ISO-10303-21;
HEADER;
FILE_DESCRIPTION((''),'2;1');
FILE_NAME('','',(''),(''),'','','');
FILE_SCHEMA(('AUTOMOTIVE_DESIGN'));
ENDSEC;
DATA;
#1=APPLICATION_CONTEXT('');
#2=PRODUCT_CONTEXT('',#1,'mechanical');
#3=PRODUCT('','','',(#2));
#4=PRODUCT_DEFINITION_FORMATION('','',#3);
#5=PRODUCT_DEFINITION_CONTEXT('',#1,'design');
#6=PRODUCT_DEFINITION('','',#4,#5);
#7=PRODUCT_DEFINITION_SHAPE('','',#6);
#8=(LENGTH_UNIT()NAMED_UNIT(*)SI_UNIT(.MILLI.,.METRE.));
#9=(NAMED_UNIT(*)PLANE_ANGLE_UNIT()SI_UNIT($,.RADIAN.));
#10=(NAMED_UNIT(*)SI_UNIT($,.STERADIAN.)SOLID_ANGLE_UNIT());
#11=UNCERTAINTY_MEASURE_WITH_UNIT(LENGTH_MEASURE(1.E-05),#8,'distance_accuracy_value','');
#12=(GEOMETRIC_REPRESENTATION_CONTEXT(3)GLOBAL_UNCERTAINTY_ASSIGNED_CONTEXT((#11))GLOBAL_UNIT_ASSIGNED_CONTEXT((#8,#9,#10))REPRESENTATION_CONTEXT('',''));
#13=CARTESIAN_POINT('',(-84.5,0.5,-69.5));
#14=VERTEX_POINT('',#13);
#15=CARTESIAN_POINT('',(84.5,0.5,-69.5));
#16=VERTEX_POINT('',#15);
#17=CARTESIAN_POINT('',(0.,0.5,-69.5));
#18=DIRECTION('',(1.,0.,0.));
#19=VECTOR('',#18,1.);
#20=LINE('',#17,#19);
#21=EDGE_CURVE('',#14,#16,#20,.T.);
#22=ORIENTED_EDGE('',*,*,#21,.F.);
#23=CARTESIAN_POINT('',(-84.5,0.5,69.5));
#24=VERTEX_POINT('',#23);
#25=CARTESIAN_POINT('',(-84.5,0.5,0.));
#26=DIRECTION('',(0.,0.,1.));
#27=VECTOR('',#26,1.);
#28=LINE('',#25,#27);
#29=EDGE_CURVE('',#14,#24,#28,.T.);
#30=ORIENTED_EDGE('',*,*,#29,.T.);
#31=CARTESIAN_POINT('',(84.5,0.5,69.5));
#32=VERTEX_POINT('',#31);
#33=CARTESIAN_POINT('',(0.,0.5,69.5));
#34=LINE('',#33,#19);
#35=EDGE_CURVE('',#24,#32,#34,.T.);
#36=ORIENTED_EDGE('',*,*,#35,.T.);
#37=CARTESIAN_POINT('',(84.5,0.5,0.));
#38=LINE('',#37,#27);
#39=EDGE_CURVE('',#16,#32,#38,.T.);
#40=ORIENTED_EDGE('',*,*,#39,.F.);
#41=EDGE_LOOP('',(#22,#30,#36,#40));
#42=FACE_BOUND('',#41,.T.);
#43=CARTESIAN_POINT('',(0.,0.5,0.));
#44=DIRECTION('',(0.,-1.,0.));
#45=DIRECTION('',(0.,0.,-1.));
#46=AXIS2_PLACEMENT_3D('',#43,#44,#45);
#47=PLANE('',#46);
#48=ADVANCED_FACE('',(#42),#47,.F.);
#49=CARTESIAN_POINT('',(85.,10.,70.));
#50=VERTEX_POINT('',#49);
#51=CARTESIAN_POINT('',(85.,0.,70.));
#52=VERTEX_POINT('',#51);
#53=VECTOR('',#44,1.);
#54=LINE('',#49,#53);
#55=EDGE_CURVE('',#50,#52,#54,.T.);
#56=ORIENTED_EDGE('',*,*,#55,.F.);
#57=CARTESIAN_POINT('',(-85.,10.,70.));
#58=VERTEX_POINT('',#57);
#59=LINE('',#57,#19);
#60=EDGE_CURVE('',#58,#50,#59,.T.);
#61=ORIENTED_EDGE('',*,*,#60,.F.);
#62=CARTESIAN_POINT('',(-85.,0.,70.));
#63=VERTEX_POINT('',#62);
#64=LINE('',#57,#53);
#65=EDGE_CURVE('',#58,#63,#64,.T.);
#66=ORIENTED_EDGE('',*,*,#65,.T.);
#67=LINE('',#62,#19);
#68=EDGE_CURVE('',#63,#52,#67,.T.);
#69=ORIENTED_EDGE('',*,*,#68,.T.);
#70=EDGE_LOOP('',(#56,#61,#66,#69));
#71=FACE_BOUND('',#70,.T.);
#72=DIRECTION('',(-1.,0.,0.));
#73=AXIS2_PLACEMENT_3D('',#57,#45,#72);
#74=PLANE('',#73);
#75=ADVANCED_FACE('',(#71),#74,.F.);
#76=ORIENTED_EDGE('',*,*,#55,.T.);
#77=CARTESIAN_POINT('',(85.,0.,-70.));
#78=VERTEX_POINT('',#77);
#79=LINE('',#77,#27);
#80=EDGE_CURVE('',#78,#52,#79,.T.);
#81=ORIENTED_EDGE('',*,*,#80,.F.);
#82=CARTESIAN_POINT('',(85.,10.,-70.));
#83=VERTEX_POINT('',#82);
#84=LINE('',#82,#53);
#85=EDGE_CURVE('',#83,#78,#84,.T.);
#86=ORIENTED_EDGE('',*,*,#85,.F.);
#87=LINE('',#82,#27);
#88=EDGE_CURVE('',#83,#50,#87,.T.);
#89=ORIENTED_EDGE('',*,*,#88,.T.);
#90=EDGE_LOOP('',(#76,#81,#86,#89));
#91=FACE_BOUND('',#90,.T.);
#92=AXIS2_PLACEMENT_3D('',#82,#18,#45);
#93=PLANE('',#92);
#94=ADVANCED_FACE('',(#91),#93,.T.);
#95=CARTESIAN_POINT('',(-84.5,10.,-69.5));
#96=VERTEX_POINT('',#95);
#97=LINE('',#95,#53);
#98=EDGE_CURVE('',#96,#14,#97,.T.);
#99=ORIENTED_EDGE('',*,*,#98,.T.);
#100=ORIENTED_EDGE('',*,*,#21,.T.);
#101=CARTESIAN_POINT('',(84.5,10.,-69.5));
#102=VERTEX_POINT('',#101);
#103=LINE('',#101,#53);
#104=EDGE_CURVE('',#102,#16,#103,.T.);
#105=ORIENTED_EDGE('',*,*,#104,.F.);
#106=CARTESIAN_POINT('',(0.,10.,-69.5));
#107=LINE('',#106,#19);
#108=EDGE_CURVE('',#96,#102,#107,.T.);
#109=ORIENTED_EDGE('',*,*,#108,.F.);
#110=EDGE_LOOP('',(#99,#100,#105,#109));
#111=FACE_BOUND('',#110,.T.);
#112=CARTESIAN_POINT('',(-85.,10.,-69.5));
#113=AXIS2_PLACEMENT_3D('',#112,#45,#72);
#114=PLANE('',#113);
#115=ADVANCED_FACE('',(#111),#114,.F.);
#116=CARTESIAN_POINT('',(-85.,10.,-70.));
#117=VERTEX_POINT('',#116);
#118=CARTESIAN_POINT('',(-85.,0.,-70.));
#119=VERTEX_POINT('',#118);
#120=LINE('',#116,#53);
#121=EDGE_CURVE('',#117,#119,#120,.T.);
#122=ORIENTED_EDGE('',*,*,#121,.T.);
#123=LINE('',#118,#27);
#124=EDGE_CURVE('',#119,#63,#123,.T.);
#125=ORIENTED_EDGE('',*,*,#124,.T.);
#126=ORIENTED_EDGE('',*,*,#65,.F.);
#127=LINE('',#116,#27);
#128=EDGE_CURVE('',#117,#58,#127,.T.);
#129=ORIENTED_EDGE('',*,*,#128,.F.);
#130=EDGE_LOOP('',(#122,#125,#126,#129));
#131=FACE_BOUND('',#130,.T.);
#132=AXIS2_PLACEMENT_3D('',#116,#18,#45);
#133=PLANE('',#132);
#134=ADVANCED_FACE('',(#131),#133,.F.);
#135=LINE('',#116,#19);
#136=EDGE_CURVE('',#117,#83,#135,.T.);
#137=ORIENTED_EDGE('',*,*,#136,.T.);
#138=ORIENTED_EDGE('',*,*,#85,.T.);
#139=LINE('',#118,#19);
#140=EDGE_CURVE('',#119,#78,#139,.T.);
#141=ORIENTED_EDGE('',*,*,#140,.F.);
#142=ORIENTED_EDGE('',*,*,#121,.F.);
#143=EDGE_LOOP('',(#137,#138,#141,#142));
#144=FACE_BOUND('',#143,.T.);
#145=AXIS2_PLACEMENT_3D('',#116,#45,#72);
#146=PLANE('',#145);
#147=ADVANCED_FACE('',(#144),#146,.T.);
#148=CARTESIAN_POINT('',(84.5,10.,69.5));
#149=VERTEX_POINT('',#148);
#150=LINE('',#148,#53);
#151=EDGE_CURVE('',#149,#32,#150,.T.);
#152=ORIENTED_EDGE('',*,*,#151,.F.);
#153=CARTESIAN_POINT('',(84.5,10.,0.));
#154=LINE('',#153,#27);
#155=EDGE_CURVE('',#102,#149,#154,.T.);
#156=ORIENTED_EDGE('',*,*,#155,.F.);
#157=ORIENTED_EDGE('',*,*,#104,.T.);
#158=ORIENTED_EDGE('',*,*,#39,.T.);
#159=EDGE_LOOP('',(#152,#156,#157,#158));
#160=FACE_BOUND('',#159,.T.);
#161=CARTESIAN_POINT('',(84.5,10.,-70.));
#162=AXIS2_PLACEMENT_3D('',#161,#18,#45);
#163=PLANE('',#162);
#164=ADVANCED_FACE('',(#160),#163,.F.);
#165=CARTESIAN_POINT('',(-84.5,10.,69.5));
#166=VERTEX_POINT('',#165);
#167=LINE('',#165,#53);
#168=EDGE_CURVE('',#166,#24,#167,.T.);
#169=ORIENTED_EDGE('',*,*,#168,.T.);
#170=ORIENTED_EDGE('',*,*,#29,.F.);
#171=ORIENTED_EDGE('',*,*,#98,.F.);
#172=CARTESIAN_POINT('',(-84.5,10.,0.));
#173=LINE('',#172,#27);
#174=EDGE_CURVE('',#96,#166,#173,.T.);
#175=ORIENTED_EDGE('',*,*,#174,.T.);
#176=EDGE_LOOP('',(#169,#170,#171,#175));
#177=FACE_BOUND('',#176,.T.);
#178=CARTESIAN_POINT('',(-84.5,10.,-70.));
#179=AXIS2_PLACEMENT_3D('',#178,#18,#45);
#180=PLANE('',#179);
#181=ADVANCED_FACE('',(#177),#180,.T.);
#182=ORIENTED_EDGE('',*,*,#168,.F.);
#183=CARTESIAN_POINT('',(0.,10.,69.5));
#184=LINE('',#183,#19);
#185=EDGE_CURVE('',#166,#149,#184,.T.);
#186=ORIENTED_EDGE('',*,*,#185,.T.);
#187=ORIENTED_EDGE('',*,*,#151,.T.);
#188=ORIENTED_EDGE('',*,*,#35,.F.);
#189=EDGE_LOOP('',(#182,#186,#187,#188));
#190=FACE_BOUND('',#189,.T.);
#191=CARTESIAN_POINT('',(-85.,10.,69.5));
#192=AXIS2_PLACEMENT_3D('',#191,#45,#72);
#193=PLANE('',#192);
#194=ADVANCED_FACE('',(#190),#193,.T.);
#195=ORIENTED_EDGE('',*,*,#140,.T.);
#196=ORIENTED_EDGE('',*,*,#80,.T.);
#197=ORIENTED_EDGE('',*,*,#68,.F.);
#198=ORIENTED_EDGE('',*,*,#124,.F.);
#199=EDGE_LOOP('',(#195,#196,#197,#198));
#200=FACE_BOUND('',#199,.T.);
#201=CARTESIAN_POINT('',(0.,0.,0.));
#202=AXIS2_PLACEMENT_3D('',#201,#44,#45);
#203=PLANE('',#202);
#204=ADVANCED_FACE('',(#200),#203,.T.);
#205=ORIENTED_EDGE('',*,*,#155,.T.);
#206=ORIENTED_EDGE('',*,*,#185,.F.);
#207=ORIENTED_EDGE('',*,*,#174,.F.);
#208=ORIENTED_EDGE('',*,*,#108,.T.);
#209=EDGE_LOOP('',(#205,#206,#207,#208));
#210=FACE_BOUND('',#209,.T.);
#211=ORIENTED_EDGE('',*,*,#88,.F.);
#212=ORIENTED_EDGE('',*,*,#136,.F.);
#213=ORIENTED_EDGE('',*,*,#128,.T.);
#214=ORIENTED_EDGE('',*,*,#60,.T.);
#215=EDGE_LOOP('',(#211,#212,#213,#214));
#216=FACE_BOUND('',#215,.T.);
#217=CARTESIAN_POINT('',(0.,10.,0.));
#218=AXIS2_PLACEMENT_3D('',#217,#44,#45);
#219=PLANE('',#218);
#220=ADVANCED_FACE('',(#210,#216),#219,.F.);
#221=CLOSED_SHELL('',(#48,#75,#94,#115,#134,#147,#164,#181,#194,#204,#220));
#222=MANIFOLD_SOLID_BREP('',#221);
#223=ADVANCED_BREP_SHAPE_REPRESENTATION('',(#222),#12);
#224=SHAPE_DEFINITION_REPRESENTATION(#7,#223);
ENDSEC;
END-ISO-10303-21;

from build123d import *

# Parameters (mm, degrees)
SKETCH1_W           = 170
SKETCH1_H           = 140
BOSS_EXTRUDE1_DEPTH = 10
SHELL1_T            = -0.5


with BuildPart() as part:
    # Sketch1 → Boss-Extrude1 (new body)
    with BuildSketch(Plane(origin=(0, 0, 0), x_dir=(1, 0, 0), z_dir=(0, 1, 0))):
        Rectangle(SKETCH1_W, SKETCH1_H)
    extrude(amount=BOSS_EXTRUDE1_DEPTH)

    # Shell1
    shell1_openings = [part.faces().sort_by_distance(p)[0] for p in [
        (0, 10, 0),
    ]]
    offset(amount=SHELL1_T, openings=shell1_openings, kind=Kind.INTERSECTION)


solid = part.part
